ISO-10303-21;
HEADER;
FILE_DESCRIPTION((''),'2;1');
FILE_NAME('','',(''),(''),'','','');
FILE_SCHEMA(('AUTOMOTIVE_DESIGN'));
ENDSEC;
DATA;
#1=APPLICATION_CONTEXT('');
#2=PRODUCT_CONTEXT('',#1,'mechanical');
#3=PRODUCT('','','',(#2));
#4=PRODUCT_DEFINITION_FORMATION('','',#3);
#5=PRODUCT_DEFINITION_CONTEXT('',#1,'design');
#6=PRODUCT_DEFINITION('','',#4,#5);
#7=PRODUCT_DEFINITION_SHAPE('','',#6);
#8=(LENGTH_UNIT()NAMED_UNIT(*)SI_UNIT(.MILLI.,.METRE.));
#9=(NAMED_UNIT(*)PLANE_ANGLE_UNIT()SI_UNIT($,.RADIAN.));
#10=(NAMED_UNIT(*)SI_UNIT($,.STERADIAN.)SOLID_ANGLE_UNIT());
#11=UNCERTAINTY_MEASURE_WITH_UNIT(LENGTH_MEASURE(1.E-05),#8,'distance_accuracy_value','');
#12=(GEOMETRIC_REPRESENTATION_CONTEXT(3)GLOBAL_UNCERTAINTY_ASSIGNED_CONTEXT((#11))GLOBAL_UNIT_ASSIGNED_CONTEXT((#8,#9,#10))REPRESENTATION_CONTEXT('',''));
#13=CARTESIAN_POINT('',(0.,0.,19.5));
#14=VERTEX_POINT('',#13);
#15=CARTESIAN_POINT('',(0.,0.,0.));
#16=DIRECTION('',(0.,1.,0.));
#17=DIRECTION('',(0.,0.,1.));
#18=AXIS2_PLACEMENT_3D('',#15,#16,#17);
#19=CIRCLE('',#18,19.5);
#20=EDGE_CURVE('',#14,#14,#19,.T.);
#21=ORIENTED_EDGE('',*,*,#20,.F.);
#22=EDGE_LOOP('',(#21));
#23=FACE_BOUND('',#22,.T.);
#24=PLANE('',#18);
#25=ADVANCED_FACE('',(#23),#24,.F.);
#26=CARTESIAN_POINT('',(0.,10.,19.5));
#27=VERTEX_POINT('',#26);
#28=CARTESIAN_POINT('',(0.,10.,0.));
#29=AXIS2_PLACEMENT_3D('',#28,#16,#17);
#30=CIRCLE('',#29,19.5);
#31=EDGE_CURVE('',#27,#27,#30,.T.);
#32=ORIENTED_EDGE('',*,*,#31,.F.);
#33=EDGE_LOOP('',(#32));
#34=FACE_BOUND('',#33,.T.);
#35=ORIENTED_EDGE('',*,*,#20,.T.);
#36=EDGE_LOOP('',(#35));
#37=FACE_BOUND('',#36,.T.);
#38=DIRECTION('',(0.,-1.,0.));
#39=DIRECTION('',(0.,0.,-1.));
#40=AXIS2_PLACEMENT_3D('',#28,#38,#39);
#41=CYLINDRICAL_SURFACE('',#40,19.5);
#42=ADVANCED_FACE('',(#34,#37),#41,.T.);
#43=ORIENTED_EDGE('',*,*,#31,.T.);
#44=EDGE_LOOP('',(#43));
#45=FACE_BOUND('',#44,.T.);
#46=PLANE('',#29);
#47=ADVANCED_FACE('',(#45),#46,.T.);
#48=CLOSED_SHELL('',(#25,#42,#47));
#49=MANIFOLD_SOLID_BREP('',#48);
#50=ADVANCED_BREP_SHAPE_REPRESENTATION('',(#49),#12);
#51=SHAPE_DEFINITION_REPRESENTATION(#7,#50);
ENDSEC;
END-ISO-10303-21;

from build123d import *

# Parameters (mm, degrees)
SKETCH1_R           = 19.5
BOSS_EXTRUDE1_DEPTH = 10


with BuildPart() as part:
    # Sketch1 → Boss-Extrude1 (new body)
    with BuildSketch(Plane(origin=(0, 0, 0), x_dir=(1, 0, 0), z_dir=(0, 1, 0))):
        Circle(SKETCH1_R)
    extrude(amount=BOSS_EXTRUDE1_DEPTH)


solid = part.part
